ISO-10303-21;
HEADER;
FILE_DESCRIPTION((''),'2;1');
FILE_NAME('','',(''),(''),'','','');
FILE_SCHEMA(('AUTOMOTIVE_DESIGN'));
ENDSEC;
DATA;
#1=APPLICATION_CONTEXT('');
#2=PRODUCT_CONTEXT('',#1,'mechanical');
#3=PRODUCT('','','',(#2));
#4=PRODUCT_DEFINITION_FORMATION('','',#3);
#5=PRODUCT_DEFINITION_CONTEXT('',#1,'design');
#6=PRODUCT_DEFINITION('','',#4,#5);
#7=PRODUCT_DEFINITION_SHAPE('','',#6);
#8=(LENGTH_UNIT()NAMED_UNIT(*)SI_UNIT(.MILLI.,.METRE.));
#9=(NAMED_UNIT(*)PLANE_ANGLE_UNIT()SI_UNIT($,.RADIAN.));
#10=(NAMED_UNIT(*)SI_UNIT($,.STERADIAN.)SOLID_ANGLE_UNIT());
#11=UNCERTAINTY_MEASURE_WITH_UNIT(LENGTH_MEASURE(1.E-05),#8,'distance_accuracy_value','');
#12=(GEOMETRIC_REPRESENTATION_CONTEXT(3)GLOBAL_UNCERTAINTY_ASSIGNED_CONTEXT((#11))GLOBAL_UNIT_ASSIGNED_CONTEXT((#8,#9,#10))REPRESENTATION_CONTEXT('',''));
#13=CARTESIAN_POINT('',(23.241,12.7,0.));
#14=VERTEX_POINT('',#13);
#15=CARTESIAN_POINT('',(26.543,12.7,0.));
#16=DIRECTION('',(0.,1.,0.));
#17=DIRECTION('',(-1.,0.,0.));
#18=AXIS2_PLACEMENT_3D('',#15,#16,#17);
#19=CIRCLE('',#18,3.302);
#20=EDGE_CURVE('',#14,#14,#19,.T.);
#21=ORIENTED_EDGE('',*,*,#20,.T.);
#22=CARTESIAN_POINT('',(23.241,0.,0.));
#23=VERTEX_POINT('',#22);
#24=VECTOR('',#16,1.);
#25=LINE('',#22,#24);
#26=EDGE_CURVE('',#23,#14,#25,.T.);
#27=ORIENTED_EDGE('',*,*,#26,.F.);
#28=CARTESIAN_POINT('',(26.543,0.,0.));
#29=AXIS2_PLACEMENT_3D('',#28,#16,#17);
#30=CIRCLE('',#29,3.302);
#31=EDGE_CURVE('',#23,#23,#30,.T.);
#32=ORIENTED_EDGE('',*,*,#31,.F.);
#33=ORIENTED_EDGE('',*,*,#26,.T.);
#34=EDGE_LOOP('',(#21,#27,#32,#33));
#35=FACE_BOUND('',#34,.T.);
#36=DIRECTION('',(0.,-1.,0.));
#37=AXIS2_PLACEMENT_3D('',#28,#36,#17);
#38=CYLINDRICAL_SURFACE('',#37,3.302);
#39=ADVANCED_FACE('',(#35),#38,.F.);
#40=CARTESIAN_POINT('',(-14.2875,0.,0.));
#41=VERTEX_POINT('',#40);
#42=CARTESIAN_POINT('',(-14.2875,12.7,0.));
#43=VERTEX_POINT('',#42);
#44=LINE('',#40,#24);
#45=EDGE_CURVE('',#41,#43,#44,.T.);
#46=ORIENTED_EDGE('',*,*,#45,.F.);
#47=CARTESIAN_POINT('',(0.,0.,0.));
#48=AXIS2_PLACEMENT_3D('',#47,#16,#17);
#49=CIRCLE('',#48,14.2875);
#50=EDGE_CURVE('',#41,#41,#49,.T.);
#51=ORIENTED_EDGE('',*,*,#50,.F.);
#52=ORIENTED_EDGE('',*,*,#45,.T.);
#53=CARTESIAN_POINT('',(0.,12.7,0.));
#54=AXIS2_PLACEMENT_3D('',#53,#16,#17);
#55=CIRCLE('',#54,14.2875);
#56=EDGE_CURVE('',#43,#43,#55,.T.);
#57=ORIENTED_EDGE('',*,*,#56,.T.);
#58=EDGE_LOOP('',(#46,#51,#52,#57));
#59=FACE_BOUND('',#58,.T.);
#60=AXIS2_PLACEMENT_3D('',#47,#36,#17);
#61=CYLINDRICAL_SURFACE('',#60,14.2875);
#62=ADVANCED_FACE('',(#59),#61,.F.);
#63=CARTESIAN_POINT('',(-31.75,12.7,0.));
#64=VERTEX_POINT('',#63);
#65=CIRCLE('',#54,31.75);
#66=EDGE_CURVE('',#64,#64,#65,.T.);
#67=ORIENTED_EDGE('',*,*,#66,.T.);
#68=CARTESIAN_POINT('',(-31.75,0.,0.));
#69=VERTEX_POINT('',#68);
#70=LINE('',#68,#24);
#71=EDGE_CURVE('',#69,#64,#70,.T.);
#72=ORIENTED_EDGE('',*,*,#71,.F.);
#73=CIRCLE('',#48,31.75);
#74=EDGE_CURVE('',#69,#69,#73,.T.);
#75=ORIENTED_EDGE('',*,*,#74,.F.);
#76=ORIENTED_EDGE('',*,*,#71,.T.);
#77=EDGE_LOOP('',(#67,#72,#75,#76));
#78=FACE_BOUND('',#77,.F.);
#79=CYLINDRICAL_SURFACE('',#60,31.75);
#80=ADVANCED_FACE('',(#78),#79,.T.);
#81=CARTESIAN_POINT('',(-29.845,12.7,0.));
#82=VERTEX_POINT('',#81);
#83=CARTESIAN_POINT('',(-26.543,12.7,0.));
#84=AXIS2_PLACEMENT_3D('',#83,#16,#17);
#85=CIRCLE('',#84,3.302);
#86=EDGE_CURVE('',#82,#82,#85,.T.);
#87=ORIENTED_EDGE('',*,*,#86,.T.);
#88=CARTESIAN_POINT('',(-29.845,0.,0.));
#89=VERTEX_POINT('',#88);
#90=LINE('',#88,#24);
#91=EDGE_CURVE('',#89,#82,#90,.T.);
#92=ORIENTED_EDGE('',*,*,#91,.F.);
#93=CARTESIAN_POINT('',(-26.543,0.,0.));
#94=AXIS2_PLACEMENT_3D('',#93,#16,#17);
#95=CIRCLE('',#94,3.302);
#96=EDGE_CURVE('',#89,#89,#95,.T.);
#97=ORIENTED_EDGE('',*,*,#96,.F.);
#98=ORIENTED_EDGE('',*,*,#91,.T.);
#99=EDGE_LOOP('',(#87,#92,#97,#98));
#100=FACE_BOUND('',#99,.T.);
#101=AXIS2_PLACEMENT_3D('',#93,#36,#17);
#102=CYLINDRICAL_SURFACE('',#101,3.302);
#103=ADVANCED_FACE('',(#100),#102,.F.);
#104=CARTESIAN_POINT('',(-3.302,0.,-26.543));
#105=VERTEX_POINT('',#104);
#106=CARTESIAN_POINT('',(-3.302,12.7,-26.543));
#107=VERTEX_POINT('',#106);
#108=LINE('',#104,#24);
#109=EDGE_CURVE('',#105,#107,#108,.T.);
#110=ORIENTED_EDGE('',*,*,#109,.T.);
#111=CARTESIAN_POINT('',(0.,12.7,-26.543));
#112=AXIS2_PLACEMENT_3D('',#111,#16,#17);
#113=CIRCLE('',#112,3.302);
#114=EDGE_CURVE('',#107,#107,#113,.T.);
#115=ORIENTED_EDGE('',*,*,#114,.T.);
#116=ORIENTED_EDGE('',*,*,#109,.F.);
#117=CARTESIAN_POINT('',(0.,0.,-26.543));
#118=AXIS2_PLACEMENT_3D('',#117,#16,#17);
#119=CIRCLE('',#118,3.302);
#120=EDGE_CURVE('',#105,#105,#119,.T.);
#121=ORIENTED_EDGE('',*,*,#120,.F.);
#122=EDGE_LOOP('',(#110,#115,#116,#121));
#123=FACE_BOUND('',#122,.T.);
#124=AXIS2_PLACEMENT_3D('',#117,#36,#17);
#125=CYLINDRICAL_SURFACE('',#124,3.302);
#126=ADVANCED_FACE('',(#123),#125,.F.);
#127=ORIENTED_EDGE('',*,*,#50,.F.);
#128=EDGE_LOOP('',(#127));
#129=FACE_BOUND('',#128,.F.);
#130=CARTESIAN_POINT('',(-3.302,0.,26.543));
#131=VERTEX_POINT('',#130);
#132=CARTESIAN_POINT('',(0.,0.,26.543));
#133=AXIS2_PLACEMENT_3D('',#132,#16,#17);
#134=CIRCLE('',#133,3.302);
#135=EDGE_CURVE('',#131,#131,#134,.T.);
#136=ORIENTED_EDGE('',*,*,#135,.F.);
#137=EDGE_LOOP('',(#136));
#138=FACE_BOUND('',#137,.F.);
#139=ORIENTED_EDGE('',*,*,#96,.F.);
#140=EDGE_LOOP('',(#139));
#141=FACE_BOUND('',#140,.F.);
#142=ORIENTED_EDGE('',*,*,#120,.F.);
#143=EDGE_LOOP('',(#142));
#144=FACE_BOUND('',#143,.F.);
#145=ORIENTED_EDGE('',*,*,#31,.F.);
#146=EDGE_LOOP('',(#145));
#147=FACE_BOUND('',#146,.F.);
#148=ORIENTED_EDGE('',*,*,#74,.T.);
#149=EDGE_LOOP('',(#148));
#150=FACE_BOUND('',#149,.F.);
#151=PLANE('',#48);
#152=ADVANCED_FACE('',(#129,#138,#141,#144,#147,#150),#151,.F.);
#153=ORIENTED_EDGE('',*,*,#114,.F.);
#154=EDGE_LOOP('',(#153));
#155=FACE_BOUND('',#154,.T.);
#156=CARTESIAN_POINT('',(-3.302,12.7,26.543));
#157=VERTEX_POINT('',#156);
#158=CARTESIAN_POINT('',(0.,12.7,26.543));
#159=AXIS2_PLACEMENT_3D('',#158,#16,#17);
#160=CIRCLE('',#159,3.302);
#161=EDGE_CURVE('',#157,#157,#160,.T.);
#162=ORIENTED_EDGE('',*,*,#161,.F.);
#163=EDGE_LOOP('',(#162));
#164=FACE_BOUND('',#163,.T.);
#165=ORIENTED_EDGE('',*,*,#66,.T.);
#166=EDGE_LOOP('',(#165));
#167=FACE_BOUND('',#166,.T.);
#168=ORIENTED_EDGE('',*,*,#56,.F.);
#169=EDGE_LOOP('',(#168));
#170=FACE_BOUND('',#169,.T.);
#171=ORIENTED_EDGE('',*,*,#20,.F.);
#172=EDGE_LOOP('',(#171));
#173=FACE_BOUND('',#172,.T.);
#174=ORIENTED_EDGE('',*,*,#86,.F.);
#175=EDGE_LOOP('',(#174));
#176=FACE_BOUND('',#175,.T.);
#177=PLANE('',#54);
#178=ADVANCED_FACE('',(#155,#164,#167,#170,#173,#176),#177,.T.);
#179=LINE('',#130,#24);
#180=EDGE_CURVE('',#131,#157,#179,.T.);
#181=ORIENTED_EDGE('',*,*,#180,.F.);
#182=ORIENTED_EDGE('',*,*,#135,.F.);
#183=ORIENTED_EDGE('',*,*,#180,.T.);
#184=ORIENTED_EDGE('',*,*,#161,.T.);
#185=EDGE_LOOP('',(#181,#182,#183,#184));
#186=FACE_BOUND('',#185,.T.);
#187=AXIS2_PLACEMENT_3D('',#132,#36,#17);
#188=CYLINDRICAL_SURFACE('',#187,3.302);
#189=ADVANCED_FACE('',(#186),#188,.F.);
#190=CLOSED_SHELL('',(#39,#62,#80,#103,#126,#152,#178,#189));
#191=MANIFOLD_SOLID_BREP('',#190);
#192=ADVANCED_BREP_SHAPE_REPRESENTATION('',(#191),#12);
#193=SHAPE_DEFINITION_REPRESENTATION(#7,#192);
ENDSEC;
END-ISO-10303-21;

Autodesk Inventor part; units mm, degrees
ref_plane "YZ Plane" through (0, 0, 0) normal (1, 0, 0) x (0, 1, 0)
ref_plane "XZ Plane" through (0, 0, 0) normal (0, 1, 0) x (-1, 0, 0)
ref_plane "XY Plane" through (0, 0, 0) normal (0, 0, 1) x (1, 0, 0)
sketch "Sketch1" plane through (0, 0, 0) normal (0, 1, 0) x (-1, 0, 0)
  circle A0 centre (0, 0) radius 14.2875
  circle A1 centre (0, 0) radius 26.543 construction
  circle A2 centre (0, 0) radius 31.75
  circle A3 centre (0, 26.543) radius 3.302
  circle A4 centre (26.543, 0) radius 3.302
  circle A5 centre (0, -26.543) radius 3.302
  circle A6 centre (-26.543, 0) radius 3.302
  dimension "d0" = 28.575
  dimension "d1" = 53.086
  dimension "d2" = 63.5
  dimension "d3" = 6.604
  dimension "d4" = 6.604
  dimension "d5" = 6.604
  dimension "d6" = 6.604
extrude "Extrusion1" add sketch "Sketch1" along normal blind 12.7
properties part number "Spacer Plate 2" material "Polycarbonate, Clear"
